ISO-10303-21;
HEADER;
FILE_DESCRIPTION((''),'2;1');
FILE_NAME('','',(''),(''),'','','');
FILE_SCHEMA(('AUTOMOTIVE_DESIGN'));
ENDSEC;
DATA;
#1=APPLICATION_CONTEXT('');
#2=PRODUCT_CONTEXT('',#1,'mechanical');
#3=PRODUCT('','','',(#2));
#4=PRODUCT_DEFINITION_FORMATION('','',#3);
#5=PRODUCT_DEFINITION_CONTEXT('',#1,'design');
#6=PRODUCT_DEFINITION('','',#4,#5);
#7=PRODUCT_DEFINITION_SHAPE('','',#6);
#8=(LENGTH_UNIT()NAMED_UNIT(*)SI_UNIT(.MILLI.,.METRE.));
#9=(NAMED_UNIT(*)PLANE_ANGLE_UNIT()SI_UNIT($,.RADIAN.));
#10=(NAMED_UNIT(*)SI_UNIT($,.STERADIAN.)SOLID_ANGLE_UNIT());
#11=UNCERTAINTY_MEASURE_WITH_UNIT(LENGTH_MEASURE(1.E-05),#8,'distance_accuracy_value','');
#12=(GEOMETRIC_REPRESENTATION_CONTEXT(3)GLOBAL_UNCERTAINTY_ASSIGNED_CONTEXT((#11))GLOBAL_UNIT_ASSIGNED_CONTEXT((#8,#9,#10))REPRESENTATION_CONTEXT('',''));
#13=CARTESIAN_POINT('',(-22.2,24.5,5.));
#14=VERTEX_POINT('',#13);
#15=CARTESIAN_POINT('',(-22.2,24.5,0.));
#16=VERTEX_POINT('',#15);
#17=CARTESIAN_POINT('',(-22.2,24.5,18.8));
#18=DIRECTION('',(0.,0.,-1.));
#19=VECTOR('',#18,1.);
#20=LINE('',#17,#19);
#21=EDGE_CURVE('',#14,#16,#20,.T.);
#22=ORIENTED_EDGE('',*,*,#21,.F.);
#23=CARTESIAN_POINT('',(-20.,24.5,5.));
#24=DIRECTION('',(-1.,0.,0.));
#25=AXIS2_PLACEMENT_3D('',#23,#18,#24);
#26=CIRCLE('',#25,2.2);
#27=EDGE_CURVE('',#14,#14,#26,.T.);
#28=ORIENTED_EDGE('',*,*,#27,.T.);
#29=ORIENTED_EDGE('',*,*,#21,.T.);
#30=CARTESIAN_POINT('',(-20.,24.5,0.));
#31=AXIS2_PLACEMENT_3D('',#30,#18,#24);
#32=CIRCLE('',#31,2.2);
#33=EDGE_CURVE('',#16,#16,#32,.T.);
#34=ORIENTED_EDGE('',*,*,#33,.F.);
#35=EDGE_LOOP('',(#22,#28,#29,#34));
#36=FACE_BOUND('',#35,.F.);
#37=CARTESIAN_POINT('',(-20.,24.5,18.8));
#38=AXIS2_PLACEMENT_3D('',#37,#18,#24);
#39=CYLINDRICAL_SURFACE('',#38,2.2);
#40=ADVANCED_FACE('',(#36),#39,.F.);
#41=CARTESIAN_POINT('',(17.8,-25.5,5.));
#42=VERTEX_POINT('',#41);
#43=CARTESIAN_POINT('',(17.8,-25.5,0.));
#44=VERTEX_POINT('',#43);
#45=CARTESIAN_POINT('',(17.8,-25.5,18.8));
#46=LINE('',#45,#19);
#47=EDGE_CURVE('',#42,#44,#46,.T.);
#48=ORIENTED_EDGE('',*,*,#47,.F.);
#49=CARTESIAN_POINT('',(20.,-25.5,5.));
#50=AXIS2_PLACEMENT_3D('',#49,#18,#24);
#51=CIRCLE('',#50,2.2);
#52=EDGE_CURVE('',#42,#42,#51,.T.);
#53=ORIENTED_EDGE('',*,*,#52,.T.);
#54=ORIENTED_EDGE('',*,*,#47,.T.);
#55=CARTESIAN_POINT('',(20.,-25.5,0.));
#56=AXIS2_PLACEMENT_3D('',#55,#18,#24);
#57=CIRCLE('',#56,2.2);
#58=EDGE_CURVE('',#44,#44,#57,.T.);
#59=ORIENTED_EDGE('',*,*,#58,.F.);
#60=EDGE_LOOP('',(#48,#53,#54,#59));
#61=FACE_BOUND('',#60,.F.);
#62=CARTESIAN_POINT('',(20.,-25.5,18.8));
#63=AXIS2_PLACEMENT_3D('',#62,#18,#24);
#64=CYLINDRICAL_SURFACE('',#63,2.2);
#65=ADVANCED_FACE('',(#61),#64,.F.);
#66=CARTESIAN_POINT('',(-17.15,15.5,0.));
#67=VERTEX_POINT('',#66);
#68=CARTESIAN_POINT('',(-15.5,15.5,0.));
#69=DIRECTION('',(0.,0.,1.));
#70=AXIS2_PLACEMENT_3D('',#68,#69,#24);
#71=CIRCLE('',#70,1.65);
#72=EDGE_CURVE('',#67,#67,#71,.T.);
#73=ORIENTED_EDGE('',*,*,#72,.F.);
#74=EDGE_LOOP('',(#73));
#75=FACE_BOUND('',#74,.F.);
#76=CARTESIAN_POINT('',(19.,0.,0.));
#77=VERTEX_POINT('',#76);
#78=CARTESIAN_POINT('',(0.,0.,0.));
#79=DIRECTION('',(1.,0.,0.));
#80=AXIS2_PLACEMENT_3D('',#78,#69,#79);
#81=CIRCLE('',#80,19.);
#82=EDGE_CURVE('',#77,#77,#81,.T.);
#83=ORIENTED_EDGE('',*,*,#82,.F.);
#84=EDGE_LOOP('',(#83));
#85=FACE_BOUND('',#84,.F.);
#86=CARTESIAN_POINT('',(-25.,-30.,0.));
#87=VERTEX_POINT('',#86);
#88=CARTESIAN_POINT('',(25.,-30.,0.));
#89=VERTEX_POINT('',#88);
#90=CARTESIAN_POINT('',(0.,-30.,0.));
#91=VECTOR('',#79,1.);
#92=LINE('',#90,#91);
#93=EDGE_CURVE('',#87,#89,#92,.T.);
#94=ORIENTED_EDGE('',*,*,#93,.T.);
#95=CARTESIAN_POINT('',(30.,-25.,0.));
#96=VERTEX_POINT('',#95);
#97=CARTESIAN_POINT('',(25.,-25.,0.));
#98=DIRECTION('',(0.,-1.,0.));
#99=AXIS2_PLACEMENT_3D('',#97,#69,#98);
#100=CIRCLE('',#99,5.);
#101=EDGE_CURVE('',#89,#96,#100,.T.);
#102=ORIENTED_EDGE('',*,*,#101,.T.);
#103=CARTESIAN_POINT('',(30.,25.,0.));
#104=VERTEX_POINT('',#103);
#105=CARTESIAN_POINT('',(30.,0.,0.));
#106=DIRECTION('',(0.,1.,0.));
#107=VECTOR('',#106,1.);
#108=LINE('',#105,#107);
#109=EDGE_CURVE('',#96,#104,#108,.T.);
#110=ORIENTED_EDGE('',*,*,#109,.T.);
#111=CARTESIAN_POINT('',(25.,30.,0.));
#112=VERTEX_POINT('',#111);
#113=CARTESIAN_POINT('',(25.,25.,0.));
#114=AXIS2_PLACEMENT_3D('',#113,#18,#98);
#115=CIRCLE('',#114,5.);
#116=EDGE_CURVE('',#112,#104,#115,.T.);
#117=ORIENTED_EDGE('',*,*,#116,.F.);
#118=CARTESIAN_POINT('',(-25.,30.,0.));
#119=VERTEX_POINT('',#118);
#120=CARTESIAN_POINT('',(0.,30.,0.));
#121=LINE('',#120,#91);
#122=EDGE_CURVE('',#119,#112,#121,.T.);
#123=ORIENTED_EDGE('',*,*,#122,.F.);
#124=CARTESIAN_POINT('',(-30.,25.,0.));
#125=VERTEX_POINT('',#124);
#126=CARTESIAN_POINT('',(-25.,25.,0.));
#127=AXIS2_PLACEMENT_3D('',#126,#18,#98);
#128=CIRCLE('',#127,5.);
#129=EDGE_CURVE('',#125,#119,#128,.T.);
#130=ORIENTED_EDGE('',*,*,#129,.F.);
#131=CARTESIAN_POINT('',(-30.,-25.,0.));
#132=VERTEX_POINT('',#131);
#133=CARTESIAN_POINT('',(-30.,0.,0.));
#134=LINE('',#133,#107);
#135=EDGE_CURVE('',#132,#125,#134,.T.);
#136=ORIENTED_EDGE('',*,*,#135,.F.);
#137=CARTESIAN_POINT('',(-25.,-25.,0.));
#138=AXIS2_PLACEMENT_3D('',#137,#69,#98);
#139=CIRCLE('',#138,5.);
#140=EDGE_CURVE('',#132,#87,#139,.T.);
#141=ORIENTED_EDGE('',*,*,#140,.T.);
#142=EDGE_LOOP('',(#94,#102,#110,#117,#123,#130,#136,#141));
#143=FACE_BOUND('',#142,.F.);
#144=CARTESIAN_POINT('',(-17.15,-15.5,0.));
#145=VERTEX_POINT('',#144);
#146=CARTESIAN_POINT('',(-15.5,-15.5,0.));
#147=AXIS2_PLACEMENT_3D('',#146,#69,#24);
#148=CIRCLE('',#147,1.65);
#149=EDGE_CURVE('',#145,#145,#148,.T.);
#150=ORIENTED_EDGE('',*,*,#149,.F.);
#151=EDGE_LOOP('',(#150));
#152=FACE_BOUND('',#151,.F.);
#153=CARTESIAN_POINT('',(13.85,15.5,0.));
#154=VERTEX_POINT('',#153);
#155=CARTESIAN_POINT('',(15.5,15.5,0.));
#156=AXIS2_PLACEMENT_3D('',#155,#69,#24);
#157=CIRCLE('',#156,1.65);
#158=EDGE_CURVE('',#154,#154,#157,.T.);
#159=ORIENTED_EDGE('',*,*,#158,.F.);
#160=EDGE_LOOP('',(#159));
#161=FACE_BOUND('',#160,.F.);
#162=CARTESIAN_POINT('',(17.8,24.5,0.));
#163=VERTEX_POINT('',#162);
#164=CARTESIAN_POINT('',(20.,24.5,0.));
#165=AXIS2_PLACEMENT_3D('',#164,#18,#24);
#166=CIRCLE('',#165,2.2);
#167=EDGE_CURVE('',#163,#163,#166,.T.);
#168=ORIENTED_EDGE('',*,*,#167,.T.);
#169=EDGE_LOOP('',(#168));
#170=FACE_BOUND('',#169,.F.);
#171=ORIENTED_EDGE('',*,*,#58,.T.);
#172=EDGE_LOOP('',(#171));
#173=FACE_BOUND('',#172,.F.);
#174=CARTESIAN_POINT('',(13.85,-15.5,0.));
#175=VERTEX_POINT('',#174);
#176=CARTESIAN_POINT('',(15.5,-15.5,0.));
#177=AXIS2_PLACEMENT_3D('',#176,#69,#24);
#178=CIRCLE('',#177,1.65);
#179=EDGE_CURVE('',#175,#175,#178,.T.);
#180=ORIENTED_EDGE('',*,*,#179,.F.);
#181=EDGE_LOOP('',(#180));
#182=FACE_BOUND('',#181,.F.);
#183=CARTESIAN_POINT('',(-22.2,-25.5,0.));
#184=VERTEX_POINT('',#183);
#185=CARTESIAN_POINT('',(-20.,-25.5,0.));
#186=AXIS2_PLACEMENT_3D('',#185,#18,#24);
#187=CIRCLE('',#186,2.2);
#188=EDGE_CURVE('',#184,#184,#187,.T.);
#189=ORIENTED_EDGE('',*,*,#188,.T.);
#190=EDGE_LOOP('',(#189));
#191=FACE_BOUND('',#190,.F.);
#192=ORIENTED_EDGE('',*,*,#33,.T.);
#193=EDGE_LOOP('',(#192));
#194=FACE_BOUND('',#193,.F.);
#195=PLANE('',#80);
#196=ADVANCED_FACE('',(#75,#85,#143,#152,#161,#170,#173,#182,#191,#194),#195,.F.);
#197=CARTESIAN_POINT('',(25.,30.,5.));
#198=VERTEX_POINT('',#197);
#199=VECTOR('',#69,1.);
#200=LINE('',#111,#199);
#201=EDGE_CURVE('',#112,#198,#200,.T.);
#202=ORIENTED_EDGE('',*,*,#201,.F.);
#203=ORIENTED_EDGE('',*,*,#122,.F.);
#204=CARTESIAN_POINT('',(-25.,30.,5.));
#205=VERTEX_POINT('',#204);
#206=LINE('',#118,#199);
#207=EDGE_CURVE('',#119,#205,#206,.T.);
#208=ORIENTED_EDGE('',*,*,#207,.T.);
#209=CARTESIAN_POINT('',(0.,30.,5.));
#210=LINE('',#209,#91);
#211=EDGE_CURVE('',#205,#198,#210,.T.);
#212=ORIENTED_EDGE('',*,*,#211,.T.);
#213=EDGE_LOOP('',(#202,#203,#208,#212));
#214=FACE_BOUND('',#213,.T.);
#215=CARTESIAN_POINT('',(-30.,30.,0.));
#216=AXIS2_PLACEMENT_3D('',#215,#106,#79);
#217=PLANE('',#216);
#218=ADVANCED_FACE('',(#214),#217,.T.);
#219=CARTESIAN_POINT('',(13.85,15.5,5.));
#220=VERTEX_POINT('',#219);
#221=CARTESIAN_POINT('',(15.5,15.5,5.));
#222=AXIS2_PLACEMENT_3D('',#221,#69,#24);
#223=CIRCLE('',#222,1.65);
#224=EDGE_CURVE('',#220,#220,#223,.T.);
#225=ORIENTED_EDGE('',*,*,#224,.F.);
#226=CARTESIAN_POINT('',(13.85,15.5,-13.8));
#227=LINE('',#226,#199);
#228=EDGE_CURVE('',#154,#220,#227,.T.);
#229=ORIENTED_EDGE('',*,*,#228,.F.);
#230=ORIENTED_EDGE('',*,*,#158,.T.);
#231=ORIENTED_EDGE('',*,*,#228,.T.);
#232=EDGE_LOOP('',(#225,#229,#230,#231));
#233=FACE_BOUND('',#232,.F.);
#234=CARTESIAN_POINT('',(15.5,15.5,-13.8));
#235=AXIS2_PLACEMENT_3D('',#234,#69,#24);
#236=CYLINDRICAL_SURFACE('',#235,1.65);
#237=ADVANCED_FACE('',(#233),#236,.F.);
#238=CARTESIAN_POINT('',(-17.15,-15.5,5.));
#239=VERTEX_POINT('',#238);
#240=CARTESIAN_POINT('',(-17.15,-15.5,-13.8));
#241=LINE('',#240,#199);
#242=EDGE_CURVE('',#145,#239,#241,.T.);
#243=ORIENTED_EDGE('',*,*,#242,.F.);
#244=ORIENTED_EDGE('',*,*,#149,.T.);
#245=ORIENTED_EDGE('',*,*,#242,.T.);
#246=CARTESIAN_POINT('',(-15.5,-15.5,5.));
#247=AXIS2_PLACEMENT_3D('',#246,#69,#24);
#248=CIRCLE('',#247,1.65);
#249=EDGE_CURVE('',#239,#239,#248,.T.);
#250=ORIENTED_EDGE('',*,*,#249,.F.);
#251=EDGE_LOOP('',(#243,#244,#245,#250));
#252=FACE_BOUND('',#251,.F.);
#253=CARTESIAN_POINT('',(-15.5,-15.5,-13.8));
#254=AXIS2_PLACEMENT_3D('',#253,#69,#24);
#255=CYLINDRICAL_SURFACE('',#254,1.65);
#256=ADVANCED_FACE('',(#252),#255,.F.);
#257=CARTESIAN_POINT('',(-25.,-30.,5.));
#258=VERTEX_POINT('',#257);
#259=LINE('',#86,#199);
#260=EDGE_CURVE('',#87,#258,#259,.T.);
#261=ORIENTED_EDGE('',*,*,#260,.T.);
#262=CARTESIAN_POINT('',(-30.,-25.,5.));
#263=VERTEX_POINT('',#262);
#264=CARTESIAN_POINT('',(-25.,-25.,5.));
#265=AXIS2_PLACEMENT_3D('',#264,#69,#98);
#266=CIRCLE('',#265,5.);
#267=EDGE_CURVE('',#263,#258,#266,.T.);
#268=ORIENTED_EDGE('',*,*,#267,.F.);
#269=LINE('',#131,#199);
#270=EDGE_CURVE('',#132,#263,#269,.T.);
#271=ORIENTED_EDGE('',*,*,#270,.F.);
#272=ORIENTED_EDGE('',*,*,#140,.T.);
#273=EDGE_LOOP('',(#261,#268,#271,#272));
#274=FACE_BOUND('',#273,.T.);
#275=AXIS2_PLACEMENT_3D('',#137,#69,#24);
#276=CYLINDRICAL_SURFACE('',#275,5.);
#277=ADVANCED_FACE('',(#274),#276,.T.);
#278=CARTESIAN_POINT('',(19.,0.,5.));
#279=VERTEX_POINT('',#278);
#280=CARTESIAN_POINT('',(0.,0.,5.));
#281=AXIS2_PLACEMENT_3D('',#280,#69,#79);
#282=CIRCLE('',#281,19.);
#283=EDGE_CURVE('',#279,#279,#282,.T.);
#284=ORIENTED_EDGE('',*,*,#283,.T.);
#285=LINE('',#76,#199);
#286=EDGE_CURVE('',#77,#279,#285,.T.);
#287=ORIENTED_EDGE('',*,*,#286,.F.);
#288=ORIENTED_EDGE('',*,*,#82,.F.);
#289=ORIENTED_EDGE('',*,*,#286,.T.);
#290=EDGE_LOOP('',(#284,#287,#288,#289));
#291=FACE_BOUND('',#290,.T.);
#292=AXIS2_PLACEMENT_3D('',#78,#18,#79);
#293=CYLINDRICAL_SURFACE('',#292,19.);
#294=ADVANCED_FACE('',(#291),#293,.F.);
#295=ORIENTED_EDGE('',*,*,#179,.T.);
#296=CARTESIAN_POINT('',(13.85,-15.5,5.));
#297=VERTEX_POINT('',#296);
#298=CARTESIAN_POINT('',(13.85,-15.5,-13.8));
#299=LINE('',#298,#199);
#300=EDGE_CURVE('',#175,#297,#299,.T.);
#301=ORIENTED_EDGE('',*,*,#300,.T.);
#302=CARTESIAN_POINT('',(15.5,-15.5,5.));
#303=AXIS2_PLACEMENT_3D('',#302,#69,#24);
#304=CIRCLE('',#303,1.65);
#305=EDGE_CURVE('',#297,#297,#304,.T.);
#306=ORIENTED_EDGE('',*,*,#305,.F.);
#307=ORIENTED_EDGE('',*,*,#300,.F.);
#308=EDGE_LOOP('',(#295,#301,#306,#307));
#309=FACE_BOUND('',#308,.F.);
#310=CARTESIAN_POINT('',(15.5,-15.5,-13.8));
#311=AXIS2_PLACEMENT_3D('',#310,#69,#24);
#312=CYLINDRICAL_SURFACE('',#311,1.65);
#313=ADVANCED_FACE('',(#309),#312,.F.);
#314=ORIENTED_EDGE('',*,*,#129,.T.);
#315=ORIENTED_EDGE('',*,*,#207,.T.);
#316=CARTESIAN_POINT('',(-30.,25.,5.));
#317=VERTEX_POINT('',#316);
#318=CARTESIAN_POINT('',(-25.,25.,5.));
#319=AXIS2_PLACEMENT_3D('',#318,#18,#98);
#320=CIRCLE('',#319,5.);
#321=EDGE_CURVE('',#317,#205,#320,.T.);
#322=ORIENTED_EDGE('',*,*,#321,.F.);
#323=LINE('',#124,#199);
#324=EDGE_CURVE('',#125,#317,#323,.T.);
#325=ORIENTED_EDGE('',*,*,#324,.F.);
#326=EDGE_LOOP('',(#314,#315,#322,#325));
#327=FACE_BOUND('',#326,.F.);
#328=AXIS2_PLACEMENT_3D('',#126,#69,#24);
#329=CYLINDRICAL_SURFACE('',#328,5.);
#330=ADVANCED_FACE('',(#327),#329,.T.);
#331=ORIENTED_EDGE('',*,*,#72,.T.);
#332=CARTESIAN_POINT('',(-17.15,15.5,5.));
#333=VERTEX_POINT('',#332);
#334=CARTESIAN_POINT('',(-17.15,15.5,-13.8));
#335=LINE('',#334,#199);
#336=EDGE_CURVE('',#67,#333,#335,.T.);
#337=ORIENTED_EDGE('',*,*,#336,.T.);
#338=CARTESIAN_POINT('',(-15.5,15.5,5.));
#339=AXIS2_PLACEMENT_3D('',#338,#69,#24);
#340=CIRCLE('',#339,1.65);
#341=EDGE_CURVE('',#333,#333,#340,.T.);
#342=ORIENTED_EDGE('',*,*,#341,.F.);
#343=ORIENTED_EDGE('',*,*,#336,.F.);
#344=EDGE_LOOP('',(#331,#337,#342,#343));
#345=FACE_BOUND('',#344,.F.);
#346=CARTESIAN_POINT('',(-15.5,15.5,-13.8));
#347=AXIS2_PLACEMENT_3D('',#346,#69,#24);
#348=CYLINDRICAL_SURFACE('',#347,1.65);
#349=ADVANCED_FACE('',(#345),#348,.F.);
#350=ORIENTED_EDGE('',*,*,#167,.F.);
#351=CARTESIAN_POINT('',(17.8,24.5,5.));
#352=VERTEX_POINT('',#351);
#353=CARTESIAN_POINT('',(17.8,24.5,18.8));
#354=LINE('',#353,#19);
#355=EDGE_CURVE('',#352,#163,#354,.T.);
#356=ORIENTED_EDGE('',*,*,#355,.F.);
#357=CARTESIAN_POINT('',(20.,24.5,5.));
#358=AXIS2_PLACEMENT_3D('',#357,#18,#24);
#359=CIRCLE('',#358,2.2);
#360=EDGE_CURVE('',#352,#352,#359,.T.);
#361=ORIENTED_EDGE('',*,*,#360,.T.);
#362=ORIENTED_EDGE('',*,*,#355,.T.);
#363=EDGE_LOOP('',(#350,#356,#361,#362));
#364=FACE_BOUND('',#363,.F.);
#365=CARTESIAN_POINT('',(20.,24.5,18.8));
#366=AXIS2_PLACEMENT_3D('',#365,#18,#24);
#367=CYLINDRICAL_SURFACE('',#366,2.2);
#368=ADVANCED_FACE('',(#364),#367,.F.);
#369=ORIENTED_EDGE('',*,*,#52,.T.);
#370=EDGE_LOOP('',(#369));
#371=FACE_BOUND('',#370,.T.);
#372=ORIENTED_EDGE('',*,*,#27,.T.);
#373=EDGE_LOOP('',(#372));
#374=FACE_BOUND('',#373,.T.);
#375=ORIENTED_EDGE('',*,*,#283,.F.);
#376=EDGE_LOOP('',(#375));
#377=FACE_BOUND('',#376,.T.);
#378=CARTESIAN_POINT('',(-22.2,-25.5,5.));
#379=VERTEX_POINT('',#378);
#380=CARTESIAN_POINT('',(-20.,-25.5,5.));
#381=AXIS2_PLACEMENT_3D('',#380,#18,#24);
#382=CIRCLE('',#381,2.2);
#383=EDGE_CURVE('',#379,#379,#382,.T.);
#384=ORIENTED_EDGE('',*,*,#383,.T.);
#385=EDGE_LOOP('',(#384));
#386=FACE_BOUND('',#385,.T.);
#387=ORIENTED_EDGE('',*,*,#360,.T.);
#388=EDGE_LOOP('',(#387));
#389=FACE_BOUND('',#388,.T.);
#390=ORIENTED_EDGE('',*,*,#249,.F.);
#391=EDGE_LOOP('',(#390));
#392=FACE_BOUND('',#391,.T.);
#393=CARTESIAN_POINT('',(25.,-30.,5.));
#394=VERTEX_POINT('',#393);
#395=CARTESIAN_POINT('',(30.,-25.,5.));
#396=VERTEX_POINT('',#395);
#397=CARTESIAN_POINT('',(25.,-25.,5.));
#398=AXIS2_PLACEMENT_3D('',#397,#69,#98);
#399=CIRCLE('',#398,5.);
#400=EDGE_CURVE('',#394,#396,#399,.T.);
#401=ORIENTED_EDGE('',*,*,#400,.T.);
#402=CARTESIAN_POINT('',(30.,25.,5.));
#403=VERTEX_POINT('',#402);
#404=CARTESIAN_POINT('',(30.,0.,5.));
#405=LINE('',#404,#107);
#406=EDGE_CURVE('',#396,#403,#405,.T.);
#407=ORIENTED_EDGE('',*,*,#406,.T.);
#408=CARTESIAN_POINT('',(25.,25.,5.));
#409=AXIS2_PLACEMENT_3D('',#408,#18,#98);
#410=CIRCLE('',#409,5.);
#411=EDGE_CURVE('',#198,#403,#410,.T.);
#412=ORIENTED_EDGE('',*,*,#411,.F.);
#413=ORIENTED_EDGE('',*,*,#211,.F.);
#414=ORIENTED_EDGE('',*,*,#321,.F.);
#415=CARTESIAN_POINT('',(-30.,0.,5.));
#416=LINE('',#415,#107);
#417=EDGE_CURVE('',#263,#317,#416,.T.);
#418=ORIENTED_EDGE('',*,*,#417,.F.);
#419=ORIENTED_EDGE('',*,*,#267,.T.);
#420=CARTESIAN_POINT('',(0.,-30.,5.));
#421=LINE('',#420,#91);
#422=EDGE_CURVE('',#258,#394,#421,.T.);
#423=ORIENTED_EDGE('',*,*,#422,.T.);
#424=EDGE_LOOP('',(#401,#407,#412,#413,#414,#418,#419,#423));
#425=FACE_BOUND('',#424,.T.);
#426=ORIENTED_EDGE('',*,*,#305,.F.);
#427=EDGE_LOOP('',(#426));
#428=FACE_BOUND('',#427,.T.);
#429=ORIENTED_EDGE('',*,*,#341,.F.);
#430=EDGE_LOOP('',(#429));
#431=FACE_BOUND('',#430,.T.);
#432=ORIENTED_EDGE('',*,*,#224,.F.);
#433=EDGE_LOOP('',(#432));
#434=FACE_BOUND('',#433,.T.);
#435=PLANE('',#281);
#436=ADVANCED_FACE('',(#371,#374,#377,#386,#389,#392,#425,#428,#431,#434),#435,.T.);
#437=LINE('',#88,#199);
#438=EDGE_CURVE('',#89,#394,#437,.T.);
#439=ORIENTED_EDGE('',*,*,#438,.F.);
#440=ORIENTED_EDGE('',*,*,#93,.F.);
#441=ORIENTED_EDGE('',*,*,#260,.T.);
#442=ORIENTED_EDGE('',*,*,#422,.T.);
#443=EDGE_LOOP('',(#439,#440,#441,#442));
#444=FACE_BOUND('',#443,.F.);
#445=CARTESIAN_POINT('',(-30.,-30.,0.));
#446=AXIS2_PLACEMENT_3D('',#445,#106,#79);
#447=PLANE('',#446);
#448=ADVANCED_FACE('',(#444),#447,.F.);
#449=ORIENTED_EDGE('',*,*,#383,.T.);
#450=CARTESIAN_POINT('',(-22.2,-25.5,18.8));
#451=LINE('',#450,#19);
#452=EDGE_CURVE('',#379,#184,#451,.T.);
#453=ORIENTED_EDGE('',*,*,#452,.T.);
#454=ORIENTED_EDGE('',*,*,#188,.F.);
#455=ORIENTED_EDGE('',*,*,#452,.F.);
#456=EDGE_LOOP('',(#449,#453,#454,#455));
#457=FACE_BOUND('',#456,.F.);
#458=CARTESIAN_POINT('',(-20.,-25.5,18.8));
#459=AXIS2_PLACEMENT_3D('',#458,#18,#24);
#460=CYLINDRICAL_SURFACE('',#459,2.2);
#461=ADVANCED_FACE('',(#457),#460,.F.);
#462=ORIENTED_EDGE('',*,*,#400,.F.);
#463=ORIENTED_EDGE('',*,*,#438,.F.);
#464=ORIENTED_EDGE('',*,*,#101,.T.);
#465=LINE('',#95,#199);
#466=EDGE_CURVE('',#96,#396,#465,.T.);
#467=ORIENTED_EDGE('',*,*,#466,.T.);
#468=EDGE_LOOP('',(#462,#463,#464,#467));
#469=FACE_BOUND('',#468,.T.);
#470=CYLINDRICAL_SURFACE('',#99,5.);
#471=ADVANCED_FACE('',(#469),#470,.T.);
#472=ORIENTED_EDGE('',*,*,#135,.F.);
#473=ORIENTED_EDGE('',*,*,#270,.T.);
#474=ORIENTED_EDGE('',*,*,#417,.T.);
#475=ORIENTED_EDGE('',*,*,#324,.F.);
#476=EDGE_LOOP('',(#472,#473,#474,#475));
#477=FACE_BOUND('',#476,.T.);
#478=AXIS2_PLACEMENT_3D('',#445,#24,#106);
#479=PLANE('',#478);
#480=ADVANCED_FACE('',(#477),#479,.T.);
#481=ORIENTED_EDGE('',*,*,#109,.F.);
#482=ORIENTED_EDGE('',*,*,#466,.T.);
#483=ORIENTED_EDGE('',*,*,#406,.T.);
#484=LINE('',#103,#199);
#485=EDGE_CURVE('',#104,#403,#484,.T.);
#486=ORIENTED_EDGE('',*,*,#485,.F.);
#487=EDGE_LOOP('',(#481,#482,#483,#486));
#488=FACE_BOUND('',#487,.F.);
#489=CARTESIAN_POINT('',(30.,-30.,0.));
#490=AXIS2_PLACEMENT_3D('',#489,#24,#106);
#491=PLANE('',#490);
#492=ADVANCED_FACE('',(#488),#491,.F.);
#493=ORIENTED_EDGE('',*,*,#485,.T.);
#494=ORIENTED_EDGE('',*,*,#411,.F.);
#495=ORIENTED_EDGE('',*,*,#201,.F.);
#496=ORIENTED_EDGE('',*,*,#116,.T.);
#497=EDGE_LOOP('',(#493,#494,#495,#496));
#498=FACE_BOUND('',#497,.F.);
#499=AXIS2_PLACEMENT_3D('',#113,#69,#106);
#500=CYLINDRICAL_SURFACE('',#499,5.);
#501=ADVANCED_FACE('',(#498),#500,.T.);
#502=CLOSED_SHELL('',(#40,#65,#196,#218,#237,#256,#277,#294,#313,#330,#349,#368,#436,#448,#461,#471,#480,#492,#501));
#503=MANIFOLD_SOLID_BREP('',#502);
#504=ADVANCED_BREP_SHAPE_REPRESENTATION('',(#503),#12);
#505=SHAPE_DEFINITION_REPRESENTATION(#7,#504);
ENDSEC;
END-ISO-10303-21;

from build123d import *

# Parameters (mm, degrees)
F0_W     = 60
F0_H     = 60
F0_R     = 19
F1_DEPTH = 5
F2_D     = 3.3
F2_DEPTH = 13.8
F2_TIP   = 0.9914200214
F4_D     = 4.4
F4_DEPTH = 13.8
F4_TIP   = 1.3218933619
F5_R     = 5


with BuildPart() as f1:
    # F0 (on Top) → F1 (new body)
    with BuildSketch(Plane.XY):
        Rectangle(F0_W, F0_H)
        Circle(F0_R, mode=Mode.SUBTRACT)
    extrude(amount=F1_DEPTH)

    # F2
    with Locations(Plane(origin=(0, 0, 0), x_dir=(1, 0, 0), z_dir=(0, 0, -1))):
        with Locations((-15.5, -15.5), (15.5, -15.5), (15.5, 15.5), (-15.5, 15.5)):
            Hole(F2_D / 2, depth=F2_DEPTH)
            with Locations((0, 0, -(F2_DEPTH + F2_TIP / 2))):  # 118° drill point
                Cone(0, F2_D / 2, F2_TIP, mode=Mode.SUBTRACT)

    # F4
    with Locations(Plane.XY.offset(5)):
        with Locations((-20, 24.5), (20, 24.5), (20, -25.5), (-20, -25.5)):
            Hole(F4_D / 2, depth=F4_DEPTH)
            with Locations((0, 0, -(F4_DEPTH + F4_TIP / 2))):  # 118° drill point
                Cone(0, F4_D / 2, F4_TIP, mode=Mode.SUBTRACT)

    # F5
    f5_edges = [f1.edges().sort_by_distance(p)[0] for p in [
        (-30, 30, 2.5),
        (30, 30, 2.5),
        (30, -30, 2.5),
        (-30, -30, 2.5),
    ]]
    fillet(f5_edges, radius=F5_R)


solid = f1.part
